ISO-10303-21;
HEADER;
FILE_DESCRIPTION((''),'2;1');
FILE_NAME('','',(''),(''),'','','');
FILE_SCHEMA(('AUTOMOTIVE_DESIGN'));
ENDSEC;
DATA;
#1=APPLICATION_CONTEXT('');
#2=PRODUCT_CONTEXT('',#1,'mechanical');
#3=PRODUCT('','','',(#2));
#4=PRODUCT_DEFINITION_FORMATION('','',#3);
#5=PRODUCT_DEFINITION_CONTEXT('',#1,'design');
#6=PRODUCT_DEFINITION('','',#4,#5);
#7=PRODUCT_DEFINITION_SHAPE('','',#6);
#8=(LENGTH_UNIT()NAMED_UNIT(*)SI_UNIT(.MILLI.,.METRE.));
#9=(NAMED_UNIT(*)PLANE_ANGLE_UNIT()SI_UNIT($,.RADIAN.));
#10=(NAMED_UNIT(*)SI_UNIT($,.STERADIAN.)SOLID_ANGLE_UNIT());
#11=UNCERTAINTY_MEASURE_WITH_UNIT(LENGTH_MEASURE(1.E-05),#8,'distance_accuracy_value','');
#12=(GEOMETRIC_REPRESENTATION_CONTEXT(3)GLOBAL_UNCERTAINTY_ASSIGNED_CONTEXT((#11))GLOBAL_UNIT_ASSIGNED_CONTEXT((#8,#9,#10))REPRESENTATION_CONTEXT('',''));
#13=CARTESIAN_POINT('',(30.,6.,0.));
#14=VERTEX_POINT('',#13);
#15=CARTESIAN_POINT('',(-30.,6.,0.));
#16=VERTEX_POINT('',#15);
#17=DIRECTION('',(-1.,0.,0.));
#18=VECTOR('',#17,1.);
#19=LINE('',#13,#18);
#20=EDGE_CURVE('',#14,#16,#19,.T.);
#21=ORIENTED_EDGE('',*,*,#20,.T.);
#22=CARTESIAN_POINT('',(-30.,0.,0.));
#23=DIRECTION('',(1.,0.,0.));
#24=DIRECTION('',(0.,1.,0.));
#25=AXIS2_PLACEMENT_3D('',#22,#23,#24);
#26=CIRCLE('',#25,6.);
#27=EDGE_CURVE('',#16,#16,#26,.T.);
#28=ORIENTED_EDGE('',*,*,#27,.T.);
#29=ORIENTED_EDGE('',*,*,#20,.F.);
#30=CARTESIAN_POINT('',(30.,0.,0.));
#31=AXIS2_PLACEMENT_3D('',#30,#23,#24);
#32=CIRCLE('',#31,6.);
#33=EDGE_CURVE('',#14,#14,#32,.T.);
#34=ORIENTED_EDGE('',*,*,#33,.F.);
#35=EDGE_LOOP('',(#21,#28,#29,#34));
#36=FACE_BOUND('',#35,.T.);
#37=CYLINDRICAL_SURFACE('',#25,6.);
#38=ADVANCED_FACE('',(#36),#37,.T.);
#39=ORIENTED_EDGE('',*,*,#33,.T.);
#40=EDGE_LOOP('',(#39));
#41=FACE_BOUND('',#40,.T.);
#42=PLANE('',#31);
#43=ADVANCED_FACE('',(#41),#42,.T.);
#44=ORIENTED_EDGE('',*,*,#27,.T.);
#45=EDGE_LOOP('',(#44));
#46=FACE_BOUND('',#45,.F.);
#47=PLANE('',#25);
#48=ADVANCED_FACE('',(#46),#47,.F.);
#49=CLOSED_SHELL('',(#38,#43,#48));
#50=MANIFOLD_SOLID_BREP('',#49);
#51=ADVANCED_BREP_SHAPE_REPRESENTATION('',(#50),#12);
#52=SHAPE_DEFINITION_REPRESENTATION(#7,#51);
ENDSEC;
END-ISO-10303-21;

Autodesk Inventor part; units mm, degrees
ref_plane "YZ Plane" through (0, 0, 0) normal (1, 0, 0) x (0, 1, 0)
ref_plane "XZ Plane" through (0, 0, 0) normal (0, 1, 0) x (-1, 0, 0)
sketch "Эскиз1" plane through (0, 0, 0) normal (0, 0, 1) x (1, 0, 0)
  line L0 (30, 6) -> (30, 0)
  line L1 (-30, 0) -> (30, 0)
  line L2 (-42, 0) -> (42, 0) projected
  line L3 (0, 7.2) -> (0, -1.2) projected
  line L4 (-30, 6) -> (-30, 0)
  line L5 (0, 6) -> (0, 0) construction
  line L6 (-42, 0) -> (42, 0) projected
  line L7 (-30, 6) -> (30, 6)
  dimension "d13" = 12
  dimension "d87" = 60
  dimension "d88" = 30
revolve "Базовый элемент" add sketch "Эскиз1" angle 360 about axis through (-30, 0, 0) along (1, 0, 0)
thread "Резьба1" size "M12x1.5" class "6g" standard "ISO Metric profile" length 60
ref_plane "Work Plane1" through (2.75, 0, 0) normal (0, -1, 0) x (1, 0, 0)
equation "\"d13\" = NND"
equation "\"d87\" = NLG"
equation "\"d88\" = 0.5 * NLG"
equation "\"d1\" = GEL"
equation "\"NLG\" = 60"
equation "\"GEL\" = NLG"
equation "\"GAL\" = 0.61345 * PTC"
equation "\"SPD\" = 9.93"
equation "\"d0\" = NND"
equation "\"GUL\" = 0.61345 * PTC"
equation "\"NND\" = 12"
equation "\"GUL1\" = GUL"
equation "\"GAL1\" = GAL"
equation "\"d89\" = -GEL + GUL1"
equation "\"d90\" = -GUL - GEL"
equation "\"PTC\" = 1.5"
equation "\"THREADDIA\" = 12"
equation "\"TOA\" = 30deg"
equation "\"GD1\" = THREADDIA - 1.2269 * PTC"
properties part number "DIN 976-1 - M12 x 1,5 x 60 - A" material "Сталь, мягкая"
